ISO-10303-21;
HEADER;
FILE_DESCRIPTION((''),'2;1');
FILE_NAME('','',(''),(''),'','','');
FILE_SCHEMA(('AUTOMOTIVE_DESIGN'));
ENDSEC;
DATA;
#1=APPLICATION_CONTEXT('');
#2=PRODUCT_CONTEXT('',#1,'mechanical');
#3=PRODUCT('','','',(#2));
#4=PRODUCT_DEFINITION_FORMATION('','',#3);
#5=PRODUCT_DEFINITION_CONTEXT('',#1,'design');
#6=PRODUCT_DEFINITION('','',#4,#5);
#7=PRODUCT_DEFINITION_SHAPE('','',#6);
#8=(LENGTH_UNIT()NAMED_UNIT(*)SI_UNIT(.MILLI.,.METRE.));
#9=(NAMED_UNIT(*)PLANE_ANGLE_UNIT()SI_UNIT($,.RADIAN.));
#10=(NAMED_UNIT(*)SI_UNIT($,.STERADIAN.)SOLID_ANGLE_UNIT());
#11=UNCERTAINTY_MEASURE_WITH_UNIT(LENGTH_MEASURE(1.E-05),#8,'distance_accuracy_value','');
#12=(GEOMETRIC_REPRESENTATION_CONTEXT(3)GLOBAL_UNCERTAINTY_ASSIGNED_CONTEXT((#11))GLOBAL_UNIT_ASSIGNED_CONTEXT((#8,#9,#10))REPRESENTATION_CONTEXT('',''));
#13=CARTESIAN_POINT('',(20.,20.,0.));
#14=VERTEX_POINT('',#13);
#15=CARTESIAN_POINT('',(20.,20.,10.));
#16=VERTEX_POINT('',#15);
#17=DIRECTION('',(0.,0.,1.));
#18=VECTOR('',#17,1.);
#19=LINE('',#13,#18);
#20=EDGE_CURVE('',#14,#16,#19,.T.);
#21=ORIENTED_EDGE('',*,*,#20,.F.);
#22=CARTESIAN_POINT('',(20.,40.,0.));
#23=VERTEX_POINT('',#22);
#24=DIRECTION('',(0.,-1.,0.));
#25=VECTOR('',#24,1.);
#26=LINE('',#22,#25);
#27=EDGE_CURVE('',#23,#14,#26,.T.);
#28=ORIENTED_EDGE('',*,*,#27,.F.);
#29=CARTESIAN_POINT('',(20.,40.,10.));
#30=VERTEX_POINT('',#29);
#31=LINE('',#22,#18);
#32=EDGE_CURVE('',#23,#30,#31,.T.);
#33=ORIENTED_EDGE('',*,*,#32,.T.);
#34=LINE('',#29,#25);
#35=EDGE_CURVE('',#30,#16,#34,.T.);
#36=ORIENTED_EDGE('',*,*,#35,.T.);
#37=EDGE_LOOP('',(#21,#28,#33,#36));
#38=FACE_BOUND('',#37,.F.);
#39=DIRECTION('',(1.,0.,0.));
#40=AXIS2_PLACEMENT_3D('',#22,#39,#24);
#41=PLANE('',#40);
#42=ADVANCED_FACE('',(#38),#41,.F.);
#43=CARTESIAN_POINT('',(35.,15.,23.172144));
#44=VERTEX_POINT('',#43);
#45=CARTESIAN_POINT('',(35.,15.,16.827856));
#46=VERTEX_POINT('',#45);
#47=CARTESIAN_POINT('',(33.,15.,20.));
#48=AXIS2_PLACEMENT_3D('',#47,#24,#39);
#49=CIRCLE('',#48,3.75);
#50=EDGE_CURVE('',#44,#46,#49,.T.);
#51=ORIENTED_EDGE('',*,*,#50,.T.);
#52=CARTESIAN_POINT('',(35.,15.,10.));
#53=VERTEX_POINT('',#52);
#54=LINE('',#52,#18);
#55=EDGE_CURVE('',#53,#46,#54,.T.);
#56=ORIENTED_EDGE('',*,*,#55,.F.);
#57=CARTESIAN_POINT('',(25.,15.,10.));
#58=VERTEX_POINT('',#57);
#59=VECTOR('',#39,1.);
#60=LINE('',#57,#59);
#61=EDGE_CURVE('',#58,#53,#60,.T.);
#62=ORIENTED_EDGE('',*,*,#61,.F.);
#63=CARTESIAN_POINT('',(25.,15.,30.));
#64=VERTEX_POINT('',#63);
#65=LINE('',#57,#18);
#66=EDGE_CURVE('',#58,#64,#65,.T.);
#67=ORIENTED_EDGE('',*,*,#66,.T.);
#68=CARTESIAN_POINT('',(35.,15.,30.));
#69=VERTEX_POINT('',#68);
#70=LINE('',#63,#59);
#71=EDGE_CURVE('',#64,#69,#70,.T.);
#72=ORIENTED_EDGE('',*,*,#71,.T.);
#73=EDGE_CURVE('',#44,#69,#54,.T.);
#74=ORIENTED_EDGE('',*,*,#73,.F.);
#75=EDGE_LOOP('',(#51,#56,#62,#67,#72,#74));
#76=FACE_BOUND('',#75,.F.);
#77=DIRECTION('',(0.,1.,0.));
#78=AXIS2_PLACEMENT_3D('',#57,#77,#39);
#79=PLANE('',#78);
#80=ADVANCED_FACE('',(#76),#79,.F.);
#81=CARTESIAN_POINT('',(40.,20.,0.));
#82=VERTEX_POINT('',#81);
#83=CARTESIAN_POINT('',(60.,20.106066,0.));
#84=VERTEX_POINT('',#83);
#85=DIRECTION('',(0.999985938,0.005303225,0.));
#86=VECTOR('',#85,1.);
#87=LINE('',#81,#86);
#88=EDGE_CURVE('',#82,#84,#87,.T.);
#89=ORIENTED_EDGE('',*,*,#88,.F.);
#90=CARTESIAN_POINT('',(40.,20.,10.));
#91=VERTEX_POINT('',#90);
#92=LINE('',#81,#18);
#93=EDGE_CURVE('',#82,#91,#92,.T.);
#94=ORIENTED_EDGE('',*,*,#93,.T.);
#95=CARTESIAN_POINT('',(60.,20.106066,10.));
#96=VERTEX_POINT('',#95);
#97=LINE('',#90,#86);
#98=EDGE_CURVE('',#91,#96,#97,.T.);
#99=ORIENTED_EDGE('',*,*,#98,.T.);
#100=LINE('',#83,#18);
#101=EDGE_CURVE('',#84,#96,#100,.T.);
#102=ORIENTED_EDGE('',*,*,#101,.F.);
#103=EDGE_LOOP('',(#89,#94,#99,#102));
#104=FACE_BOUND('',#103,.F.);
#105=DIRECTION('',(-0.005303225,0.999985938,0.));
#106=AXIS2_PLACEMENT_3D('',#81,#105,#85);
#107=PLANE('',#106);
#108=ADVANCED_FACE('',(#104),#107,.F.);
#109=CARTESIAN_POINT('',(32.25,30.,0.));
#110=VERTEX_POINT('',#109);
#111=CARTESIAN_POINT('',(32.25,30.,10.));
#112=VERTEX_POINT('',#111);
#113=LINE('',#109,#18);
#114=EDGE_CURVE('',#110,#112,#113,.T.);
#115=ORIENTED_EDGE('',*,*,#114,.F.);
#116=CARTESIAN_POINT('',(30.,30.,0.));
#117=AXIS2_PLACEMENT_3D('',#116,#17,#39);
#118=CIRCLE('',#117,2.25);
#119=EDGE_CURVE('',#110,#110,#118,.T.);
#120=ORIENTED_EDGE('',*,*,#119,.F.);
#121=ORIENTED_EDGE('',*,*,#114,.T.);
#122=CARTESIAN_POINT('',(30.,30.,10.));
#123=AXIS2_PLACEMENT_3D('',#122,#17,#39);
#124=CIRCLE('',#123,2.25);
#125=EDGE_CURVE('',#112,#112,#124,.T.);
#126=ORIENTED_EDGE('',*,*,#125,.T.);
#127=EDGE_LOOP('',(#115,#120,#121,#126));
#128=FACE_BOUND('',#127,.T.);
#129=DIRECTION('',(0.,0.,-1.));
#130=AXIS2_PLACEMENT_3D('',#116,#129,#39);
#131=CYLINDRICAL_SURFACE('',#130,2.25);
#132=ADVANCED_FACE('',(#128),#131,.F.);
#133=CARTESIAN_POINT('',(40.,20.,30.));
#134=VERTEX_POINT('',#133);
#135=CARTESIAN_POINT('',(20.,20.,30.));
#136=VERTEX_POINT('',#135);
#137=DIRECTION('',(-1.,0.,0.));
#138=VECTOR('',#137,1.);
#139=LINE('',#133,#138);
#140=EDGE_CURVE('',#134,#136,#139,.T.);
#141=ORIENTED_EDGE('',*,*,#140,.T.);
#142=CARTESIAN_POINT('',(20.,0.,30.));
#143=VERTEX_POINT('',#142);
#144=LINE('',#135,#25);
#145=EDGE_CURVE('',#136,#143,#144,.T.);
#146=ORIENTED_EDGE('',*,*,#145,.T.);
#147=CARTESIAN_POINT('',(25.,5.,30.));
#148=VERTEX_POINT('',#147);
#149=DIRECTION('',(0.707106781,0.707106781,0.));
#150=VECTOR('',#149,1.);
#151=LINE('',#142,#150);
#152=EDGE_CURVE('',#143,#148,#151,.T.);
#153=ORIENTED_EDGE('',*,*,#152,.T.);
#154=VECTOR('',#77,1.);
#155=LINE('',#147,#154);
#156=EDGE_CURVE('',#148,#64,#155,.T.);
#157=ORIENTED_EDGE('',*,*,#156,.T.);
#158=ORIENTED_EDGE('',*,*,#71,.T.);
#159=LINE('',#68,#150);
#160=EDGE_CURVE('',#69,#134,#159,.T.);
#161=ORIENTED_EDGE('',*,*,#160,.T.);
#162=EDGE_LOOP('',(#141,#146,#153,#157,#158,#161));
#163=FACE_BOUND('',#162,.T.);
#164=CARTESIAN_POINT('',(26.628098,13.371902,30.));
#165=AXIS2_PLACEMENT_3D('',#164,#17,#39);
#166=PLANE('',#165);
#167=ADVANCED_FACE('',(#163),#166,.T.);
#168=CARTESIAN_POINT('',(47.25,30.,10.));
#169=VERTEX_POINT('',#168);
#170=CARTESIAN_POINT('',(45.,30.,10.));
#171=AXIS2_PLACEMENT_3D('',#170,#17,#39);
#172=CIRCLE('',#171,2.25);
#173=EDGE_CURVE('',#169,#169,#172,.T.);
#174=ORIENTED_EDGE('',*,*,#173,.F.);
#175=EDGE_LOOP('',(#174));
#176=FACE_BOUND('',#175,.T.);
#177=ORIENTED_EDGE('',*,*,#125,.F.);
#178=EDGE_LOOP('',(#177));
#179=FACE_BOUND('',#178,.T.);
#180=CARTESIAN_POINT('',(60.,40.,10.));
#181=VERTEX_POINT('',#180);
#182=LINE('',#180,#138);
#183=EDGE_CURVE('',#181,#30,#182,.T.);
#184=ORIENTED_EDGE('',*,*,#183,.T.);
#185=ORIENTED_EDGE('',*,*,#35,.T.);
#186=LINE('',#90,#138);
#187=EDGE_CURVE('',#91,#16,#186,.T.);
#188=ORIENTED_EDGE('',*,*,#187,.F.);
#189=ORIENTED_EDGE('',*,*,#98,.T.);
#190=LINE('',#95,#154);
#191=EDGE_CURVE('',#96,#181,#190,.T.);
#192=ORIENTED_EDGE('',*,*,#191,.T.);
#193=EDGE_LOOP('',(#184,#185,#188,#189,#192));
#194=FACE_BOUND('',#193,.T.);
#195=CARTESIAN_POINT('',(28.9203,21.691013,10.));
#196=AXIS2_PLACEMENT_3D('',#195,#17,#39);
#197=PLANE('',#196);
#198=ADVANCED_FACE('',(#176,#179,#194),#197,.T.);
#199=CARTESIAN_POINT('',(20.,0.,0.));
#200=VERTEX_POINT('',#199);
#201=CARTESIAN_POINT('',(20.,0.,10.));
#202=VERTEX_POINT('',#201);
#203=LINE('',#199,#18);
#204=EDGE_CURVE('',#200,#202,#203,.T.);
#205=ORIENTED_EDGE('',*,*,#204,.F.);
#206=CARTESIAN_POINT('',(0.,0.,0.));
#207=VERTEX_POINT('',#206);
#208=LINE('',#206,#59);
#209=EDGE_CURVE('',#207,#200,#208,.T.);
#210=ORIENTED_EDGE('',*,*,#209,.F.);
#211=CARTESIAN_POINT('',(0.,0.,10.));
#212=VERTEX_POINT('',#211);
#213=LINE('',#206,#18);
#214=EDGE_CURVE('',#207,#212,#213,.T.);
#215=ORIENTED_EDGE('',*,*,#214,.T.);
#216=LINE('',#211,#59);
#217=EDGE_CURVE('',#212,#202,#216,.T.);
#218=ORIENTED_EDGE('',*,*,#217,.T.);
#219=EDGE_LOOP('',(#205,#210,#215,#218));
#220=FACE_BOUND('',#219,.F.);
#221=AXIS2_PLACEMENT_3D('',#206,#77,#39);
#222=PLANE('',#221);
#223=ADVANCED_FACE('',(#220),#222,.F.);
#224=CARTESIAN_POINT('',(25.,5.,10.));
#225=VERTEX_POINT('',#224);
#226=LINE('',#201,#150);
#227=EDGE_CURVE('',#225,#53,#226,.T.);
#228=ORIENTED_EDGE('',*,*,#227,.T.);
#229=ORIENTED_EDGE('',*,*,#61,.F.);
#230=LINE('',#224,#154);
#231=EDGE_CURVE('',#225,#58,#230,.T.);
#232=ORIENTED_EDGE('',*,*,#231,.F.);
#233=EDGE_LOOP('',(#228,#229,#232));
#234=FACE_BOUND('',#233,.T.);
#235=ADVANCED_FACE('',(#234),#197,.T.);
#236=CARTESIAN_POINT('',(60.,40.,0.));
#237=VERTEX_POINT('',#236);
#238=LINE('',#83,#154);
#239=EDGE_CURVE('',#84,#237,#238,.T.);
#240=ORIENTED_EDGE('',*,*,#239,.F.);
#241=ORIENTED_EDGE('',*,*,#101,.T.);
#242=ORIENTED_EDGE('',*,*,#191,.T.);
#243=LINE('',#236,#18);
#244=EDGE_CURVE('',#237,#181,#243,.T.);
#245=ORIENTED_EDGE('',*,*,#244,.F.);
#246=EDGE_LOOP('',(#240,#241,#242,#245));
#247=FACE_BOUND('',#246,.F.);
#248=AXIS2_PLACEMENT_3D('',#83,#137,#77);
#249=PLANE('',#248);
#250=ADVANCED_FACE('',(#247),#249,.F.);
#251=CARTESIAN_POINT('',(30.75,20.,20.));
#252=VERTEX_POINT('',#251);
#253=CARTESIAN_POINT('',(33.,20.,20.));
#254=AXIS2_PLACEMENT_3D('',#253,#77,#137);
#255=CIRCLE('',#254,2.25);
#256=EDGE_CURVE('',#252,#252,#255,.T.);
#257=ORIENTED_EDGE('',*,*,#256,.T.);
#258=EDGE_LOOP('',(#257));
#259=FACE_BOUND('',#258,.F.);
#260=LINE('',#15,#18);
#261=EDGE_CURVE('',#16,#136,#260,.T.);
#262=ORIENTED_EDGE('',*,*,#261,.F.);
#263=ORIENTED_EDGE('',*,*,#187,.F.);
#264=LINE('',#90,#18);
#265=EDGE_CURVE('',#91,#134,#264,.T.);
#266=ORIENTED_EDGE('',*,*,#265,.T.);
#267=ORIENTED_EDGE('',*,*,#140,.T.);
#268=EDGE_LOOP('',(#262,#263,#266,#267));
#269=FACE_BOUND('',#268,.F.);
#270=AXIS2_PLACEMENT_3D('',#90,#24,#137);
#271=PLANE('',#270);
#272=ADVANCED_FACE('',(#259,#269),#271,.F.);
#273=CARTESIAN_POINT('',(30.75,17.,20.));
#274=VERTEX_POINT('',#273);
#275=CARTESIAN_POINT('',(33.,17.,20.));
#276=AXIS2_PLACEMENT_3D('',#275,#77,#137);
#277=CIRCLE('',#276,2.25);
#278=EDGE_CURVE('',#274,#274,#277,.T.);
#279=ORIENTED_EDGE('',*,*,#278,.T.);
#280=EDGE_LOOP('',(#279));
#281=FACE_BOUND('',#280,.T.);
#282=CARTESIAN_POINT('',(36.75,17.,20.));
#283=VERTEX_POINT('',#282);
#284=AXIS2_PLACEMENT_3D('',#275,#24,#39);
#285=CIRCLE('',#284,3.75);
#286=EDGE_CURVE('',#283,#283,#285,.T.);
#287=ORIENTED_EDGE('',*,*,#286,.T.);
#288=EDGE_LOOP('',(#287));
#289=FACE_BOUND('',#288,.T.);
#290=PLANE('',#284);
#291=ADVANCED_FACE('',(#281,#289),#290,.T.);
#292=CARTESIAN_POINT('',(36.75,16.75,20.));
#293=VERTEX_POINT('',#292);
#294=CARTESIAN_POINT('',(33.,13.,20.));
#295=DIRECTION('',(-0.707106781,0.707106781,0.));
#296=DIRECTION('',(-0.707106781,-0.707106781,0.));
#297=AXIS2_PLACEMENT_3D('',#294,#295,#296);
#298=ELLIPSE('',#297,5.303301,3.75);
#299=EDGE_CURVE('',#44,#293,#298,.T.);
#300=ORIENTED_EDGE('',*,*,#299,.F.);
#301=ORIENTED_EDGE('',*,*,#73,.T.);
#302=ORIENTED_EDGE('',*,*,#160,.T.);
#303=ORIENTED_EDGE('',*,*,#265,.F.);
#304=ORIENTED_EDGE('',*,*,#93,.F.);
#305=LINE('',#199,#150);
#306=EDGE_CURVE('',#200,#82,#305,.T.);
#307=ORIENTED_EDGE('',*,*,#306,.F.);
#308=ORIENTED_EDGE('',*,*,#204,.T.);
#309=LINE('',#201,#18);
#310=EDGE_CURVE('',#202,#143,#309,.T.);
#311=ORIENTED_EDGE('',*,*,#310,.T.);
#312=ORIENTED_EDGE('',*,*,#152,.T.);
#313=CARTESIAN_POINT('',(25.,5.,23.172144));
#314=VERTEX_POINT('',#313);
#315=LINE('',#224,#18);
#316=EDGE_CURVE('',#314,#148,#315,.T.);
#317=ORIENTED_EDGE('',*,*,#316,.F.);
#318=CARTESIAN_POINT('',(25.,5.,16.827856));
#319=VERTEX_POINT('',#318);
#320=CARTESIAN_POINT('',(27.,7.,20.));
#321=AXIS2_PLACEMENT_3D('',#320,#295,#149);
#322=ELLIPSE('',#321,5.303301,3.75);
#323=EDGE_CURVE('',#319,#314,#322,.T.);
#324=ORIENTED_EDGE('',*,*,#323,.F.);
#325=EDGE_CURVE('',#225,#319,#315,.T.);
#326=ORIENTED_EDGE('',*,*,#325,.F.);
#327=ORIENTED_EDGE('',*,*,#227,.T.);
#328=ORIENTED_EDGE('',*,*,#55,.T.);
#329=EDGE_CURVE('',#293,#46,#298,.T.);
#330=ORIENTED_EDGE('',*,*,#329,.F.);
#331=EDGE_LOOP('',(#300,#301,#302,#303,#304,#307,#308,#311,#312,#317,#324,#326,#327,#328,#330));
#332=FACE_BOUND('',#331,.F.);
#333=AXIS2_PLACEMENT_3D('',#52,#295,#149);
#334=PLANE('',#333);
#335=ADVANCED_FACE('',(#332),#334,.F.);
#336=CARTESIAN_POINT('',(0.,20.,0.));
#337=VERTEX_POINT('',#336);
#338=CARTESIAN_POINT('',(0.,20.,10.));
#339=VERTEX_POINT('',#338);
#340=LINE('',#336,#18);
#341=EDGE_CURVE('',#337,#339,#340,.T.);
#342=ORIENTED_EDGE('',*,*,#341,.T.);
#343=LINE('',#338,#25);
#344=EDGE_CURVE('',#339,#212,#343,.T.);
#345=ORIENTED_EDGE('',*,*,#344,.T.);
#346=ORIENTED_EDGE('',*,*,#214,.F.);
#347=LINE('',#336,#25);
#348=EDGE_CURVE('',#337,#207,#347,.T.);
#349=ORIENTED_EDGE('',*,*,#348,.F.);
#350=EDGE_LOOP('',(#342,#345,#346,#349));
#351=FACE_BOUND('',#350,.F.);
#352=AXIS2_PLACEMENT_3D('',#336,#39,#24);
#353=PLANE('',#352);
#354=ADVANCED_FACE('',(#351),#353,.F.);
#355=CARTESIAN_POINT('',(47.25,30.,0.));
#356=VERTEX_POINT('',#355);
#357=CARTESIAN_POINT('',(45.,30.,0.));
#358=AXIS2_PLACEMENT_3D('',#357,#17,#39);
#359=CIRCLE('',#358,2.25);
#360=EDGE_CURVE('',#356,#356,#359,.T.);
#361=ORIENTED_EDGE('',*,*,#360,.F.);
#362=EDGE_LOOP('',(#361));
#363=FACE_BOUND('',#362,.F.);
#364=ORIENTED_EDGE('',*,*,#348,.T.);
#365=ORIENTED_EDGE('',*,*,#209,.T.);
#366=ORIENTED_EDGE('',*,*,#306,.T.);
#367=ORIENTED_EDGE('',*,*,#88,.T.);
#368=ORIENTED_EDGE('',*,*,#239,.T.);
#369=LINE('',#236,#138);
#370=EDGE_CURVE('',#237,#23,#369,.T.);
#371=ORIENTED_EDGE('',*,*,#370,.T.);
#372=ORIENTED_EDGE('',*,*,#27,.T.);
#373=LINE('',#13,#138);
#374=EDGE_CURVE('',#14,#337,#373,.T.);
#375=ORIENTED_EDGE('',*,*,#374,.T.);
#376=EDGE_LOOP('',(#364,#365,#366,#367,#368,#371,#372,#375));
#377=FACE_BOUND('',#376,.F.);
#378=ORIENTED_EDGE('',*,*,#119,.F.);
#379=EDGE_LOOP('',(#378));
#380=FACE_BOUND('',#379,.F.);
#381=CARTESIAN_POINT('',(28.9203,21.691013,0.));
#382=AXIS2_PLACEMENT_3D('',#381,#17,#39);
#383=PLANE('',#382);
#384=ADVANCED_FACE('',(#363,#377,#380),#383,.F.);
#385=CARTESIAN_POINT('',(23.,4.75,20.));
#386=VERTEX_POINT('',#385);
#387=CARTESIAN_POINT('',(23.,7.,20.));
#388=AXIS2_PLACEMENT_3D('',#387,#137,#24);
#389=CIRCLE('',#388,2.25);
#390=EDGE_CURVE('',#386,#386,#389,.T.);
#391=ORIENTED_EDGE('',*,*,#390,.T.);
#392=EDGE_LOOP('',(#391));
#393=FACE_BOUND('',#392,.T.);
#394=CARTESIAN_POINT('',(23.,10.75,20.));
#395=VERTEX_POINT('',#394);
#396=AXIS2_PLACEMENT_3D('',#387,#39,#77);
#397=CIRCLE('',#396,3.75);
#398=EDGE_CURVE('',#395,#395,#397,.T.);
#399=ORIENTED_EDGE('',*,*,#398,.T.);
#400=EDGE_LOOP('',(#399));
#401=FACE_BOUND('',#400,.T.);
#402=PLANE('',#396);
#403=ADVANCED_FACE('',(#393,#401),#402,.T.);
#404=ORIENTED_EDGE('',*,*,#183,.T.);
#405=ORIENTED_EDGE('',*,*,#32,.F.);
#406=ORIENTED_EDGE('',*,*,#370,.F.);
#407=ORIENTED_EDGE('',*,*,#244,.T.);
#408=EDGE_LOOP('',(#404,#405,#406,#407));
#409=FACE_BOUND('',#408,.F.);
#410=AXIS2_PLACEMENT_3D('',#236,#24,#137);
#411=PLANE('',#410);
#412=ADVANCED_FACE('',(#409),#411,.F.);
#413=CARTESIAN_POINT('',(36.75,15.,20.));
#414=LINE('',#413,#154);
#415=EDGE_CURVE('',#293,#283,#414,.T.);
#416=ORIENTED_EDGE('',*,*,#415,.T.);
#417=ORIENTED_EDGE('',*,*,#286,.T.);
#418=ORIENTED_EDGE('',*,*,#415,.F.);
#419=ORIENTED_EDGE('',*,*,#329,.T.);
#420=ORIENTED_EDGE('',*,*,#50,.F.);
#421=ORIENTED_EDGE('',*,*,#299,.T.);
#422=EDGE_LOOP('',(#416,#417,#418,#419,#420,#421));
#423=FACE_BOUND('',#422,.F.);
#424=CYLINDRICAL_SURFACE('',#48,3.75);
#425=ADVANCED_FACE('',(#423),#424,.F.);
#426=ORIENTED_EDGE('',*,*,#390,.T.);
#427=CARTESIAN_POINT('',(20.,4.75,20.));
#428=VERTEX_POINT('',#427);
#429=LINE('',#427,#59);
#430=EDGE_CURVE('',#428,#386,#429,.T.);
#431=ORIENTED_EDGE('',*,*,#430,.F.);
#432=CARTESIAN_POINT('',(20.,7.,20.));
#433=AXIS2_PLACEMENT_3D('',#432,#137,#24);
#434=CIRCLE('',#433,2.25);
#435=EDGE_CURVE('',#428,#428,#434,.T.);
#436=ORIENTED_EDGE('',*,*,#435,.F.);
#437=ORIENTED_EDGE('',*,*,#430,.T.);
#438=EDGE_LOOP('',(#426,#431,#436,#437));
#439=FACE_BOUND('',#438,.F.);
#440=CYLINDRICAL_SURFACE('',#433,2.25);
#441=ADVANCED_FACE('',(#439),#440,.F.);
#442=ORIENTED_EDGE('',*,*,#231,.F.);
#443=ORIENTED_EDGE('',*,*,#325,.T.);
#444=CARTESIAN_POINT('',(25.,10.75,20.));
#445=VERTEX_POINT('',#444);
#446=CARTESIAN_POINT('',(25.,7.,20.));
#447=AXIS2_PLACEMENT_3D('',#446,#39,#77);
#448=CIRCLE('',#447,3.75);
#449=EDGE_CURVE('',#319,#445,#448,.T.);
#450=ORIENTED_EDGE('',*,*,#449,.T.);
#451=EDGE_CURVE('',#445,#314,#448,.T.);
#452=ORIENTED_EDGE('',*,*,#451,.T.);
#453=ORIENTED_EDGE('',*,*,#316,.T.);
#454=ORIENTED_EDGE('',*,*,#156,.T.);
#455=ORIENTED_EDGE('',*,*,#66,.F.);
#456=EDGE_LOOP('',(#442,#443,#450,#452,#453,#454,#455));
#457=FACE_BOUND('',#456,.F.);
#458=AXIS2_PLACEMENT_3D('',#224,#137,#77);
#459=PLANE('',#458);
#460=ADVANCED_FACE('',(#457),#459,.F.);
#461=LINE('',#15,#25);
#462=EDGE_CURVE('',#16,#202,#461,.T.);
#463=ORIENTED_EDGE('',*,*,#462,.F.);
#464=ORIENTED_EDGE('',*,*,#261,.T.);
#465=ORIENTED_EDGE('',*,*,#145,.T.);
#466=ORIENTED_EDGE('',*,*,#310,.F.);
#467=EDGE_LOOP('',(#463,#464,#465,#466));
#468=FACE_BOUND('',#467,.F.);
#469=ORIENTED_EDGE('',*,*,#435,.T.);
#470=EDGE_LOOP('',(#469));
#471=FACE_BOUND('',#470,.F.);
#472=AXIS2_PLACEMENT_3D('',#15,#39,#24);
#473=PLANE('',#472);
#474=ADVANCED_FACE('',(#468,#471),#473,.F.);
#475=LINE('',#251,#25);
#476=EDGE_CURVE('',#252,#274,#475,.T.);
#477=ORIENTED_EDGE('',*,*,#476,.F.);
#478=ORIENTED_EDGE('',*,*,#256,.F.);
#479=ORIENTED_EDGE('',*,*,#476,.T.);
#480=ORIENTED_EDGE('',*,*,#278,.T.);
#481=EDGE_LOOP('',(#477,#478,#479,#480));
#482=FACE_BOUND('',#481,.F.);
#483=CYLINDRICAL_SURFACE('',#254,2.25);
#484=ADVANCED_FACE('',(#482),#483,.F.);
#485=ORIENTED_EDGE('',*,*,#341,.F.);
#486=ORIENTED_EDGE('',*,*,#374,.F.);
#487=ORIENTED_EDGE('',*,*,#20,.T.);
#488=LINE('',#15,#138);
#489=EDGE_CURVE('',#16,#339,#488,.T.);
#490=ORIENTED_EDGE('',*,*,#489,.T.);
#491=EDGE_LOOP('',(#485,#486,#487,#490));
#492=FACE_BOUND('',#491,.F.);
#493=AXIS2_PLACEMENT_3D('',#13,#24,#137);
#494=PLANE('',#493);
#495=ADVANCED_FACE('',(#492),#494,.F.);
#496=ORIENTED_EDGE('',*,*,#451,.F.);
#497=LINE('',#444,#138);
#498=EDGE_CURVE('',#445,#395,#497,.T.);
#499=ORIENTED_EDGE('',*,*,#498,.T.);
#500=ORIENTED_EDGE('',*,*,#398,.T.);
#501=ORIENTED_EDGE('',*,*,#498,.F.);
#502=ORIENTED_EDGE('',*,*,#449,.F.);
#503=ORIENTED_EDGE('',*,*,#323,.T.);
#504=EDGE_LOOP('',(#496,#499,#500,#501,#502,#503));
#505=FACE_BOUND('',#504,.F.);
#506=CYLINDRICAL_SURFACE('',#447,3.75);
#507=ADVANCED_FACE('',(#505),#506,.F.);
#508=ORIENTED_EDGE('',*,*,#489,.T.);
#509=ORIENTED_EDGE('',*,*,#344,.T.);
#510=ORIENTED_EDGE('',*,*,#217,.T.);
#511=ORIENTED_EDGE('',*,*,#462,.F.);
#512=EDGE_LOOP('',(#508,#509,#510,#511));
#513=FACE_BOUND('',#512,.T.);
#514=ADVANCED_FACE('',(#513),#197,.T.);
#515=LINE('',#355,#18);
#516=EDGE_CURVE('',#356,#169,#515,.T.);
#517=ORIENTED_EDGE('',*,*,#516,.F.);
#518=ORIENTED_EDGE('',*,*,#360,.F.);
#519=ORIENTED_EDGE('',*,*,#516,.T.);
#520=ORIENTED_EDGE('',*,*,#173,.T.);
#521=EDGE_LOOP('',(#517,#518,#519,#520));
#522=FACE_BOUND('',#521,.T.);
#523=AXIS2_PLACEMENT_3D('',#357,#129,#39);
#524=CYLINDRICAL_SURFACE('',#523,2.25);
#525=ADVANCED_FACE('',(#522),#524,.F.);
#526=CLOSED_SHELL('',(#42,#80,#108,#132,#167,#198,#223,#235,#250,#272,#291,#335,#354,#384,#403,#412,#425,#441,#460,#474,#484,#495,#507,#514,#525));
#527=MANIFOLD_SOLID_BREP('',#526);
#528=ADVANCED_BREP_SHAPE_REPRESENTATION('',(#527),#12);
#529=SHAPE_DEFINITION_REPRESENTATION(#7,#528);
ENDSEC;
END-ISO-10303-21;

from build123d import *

# Parameters (mm, degrees)
F0_R      = 2.25
F1_DEPTH  = 10
F3_DEPTH  = 20
F4_R      = 2.25
F5_DEPTH  = 5
F6_R      = 2.25
F7_DEPTH  = 5
F8_R      = 3.75
F9_DEPTH  = 2
F10_R     = 3.75
F11_DEPTH = 2


with BuildPart() as f1:
    # F0 (on Top) → F1 (new body)
    with BuildSketch(Plane.XY):
        Polygon((20, 20), (0, 20), (0, 0), (20, 0), (40, 20), (60, 20.106066), (60, 40), (20, 40), align=None)
        with Locations((30, 30)):
            Circle(F0_R, mode=Mode.SUBTRACT)
        with Locations((45, 30)):
            Circle(F0_R, mode=Mode.SUBTRACT)
    extrude(amount=F1_DEPTH)

    # F2 (on face) → F3 (join)
    with BuildSketch(Plane.XY.offset(10)):
        Polygon((40, 20), (20, 20), (20, 0), (25, 5), (25, 10), (25, 15), (30, 15), (35, 15), align=None)
    extrude(amount=F3_DEPTH)

    # F4 (on face) → F5 (cut)
    with BuildSketch(Plane(origin=(20, 0, 0), x_dir=(0, -1, 0), z_dir=(-1, 0, 0))):
        with Locations((-7, 20)):
            Circle(F4_R)
    extrude(amount=-F5_DEPTH, mode=Mode.SUBTRACT)

    # F6 (on face) → F7 (cut)
    with BuildSketch(Plane(origin=(0, 20, 0), x_dir=(-1, 0, 0), z_dir=(0, 1, 0))):
        with Locations((-33, 20)):
            Circle(F6_R)
    extrude(amount=-F7_DEPTH, mode=Mode.SUBTRACT)

    # F8 (on face) → F9 (cut)
    with BuildSketch(Plane.XZ.offset(-15)):
        with Locations((33, 20)):
            Circle(F8_R)
    extrude(amount=-F9_DEPTH, mode=Mode.SUBTRACT)

    # F10 (on face) → F11 (cut)
    with BuildSketch(Plane.YZ.offset(25)):
        with Locations((7, 20)):
            Circle(F10_R)
    extrude(amount=-F11_DEPTH, mode=Mode.SUBTRACT)


solid = f1.part
